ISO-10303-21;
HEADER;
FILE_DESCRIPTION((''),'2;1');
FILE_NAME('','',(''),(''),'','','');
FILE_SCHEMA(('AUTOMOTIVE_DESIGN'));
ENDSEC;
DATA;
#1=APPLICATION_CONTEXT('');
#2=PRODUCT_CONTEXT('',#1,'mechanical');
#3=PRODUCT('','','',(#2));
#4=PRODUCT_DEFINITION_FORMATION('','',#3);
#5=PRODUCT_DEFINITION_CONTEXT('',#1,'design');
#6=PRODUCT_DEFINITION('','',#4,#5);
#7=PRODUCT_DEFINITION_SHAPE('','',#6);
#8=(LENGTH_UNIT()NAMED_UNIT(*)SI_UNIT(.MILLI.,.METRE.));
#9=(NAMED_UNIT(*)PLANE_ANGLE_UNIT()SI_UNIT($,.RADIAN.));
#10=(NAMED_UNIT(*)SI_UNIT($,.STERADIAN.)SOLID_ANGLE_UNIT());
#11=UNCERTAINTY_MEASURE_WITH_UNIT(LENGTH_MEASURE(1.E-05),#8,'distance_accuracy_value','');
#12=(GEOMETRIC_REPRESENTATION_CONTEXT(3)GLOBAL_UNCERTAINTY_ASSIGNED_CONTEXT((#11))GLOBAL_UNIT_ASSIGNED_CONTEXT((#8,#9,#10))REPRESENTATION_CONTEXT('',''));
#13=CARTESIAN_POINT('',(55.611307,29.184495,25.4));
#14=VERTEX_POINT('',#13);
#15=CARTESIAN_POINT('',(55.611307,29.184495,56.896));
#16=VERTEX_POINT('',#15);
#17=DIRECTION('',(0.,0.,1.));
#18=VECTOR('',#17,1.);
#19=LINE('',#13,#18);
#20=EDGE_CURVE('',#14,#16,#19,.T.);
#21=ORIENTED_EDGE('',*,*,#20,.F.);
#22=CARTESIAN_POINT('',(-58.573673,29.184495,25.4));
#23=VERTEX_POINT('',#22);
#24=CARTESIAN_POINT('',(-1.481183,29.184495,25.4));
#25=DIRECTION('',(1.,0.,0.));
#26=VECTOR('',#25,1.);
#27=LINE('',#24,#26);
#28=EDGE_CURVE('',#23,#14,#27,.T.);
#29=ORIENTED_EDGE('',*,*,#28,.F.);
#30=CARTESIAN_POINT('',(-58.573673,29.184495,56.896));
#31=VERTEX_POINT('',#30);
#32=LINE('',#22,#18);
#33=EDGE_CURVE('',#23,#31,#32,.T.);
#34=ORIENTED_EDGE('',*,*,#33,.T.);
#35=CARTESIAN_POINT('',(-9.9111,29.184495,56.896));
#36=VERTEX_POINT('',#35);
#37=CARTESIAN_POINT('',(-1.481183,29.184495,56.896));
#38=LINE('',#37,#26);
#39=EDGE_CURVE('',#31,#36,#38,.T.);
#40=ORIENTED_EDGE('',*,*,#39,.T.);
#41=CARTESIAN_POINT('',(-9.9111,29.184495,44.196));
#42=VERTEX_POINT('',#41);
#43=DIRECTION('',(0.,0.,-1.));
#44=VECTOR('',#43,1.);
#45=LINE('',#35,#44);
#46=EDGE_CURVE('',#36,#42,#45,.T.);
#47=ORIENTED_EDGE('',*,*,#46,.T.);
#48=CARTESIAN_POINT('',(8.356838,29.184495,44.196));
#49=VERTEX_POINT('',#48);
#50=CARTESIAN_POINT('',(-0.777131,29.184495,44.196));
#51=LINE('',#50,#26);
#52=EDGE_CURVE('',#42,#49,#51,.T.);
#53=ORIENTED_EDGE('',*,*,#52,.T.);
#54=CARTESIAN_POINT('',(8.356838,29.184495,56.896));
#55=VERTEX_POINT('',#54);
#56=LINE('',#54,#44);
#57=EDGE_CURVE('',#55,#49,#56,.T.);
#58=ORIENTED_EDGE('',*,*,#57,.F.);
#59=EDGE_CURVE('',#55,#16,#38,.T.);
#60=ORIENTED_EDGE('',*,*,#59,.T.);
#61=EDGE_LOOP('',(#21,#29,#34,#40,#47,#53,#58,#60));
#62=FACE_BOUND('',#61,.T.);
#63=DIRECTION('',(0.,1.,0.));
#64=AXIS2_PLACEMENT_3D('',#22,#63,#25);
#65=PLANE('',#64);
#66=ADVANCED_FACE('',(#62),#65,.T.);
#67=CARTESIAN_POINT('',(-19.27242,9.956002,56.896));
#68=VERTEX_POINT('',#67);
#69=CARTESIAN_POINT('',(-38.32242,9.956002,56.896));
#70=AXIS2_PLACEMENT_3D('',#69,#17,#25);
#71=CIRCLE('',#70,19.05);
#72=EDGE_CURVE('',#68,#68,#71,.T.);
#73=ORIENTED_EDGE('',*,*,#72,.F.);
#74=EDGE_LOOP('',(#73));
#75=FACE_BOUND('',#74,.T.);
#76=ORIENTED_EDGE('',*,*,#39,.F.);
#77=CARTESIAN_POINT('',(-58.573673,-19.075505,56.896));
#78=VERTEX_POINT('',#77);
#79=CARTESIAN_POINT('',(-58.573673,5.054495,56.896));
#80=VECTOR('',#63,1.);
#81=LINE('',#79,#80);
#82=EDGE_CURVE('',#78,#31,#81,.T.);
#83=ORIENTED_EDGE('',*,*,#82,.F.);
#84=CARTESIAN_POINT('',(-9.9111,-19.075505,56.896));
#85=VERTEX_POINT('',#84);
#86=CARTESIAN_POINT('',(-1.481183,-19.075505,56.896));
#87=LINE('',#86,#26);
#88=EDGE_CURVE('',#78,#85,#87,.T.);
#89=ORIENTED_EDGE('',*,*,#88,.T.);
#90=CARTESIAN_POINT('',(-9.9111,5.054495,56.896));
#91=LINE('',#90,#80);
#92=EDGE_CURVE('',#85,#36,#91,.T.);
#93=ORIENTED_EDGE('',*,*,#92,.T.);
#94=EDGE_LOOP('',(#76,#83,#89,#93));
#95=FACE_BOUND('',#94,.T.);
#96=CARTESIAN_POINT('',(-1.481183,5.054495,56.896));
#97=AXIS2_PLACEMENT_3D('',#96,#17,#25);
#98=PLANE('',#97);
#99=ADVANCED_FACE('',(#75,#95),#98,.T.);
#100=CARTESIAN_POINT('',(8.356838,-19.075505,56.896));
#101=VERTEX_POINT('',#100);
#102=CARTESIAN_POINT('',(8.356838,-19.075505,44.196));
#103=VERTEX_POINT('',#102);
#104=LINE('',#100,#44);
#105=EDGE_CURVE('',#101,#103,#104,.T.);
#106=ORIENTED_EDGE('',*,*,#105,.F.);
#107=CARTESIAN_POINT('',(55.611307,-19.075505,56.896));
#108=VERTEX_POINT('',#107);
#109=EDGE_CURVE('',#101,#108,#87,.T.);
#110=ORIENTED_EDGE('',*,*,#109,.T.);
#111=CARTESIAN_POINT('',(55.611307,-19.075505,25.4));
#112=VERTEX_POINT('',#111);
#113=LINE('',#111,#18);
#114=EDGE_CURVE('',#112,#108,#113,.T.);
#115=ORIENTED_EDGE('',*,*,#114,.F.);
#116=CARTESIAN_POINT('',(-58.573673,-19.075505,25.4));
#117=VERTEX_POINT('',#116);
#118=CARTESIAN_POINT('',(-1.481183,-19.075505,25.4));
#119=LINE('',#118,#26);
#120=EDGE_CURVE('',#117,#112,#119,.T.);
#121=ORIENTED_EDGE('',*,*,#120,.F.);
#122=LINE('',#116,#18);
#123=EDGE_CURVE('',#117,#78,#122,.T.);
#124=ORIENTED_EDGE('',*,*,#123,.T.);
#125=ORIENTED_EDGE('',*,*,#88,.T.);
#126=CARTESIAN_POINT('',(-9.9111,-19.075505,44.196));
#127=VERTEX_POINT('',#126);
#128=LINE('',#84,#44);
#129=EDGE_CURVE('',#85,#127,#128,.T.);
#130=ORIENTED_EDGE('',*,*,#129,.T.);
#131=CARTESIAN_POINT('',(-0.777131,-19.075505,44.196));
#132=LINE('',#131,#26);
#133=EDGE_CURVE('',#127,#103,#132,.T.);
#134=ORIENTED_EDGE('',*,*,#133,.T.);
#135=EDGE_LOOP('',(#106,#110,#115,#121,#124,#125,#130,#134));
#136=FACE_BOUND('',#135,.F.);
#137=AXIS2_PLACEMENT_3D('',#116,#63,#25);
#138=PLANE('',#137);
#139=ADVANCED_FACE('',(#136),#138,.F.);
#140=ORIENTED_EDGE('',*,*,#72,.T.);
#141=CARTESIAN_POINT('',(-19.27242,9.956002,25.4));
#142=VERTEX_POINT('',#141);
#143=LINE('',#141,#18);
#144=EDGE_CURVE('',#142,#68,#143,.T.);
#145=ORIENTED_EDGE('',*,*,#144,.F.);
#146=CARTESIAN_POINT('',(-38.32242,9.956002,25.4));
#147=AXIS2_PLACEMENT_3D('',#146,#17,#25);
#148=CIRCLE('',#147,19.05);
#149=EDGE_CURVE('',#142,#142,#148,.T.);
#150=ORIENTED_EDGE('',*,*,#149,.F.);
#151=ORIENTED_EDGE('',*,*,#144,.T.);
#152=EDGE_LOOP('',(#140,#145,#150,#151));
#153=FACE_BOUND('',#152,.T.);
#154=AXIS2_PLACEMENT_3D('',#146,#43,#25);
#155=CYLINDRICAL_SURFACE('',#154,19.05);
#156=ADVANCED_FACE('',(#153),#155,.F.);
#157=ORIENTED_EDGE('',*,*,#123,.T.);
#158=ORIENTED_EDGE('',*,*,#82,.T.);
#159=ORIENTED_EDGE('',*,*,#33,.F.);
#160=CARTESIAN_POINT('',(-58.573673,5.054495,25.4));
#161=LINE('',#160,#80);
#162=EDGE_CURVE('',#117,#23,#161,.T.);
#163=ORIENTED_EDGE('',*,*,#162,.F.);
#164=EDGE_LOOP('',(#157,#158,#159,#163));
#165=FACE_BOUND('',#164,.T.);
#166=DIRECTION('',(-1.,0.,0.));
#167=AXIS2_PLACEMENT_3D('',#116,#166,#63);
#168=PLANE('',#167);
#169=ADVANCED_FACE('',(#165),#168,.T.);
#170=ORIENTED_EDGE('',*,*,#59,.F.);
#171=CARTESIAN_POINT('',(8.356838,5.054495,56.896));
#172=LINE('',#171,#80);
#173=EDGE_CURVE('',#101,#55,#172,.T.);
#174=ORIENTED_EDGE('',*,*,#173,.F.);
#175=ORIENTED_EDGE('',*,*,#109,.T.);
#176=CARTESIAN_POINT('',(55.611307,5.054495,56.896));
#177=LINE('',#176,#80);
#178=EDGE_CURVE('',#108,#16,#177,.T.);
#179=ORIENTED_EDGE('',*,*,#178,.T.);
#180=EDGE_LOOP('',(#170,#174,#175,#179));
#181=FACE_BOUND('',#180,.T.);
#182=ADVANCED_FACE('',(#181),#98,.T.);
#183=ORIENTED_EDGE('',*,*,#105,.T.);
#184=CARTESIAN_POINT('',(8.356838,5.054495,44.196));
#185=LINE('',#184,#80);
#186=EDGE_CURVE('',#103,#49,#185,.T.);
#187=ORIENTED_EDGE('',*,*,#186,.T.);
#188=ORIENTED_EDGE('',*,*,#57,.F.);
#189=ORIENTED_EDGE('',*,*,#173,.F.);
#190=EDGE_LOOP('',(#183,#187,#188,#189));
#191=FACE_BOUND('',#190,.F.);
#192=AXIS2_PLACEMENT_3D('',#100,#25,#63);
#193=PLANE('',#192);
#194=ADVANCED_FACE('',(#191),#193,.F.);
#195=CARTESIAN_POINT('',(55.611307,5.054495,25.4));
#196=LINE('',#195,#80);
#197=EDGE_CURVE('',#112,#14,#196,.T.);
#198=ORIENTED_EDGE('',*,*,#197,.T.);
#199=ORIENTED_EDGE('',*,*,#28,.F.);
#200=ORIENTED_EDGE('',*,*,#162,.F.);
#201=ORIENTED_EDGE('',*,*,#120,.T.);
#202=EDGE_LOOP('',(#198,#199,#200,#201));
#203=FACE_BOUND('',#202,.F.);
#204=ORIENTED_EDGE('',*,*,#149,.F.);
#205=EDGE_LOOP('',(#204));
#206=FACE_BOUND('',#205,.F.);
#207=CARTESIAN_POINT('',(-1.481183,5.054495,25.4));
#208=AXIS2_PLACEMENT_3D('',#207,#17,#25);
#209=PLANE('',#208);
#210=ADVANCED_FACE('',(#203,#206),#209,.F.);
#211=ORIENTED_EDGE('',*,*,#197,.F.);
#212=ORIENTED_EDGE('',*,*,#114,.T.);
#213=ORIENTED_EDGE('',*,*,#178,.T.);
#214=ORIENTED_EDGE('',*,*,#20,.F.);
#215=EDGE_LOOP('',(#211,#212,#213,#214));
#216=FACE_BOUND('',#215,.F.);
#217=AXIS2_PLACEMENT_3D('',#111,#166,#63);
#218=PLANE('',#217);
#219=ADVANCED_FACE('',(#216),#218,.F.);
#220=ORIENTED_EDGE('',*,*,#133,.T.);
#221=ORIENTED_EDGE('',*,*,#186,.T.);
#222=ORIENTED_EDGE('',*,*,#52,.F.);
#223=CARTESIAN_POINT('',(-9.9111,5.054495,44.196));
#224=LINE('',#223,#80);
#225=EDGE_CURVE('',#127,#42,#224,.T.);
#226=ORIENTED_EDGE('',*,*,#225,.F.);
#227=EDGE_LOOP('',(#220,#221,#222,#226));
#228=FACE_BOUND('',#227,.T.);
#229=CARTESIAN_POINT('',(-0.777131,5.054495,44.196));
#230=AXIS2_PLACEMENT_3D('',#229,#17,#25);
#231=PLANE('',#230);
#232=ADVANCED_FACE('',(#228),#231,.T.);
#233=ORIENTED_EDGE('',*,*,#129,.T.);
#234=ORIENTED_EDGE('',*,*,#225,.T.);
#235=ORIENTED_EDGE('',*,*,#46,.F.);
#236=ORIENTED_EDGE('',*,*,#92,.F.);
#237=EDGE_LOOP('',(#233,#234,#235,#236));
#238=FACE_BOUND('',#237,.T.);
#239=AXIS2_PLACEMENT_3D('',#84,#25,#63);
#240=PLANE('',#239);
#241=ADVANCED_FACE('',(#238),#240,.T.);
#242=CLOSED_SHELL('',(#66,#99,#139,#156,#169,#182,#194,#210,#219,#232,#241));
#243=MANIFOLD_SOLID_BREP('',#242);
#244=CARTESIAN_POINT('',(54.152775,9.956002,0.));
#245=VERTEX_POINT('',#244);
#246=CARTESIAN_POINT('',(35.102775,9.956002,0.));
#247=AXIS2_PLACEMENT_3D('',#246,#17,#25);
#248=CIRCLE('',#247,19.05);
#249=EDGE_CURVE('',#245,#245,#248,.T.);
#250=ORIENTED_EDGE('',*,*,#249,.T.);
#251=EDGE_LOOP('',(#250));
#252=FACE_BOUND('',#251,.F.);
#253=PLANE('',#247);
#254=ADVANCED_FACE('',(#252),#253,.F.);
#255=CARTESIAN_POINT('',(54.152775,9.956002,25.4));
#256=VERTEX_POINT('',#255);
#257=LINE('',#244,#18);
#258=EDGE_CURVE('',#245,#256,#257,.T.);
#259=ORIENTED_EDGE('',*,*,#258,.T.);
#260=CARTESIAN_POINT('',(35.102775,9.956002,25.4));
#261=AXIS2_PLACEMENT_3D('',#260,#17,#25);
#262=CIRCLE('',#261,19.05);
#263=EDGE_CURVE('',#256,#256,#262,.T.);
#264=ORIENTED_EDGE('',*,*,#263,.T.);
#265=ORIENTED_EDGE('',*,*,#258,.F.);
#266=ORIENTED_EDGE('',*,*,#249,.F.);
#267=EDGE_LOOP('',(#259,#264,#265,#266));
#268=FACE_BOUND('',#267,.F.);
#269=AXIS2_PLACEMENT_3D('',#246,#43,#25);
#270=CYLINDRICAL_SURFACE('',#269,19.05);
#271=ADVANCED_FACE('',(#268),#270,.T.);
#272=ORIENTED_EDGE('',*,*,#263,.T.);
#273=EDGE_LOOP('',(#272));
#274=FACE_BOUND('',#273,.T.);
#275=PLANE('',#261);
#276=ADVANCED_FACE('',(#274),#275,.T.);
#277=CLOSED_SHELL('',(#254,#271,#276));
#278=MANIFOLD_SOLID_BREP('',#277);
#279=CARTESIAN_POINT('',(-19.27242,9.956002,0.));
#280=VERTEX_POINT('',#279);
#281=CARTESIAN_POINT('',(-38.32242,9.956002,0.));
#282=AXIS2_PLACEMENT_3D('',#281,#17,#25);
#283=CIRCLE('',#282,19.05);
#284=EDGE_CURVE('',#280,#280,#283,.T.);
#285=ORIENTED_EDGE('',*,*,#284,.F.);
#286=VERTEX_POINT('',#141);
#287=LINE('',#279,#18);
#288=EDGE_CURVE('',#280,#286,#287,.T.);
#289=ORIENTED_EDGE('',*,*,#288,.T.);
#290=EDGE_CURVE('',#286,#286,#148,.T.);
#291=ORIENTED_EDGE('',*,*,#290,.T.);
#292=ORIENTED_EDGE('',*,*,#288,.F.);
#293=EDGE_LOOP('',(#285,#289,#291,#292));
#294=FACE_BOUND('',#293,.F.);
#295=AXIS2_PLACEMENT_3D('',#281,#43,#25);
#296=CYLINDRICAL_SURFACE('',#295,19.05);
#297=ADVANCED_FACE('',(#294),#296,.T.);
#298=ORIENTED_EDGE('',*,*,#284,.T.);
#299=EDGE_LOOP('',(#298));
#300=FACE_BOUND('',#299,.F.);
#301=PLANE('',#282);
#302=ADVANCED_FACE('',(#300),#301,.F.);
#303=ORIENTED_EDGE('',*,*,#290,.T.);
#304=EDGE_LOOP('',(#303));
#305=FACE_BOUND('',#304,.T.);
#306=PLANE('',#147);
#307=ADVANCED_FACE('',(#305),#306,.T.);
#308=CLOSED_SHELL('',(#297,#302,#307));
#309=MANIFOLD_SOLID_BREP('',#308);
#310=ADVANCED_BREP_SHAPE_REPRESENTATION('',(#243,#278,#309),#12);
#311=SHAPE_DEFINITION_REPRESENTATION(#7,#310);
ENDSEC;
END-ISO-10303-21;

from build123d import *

# Parameters (mm, degrees)
F0_R     = 19.05
F1_DEPTH = 25.4
F2_W     = 114.18498
F2_H     = 48.26
F2_R     = 19.05
F3_DEPTH = 31.496
F4_W     = 18.267938
F4_H     = 48.26
F5_DEPTH = 12.7


with BuildPart() as f1:
    # F0 (on Top) → F1 (new body)
    with BuildSketch(Plane.XY):
        with Locations((-38.32242, 9.956002)):
            Circle(F0_R)
        with Locations((35.102775, 9.956002)):
            Circle(F0_R)
    extrude(amount=F1_DEPTH)


with BuildPart() as f3:
    # F2 (on face) → F3 (new body)
    with BuildSketch(Plane.XY.offset(25.4)):
        with Locations((-1.481183, 5.054495)):
            Rectangle(F2_W, F2_H)
        with Locations((-38.32242, 9.956002)):
            Circle(F2_R, mode=Mode.SUBTRACT)
    extrude(amount=F3_DEPTH)

    # F4 (on face) → F5 (cut)
    with BuildSketch(Plane.XY.offset(56.896)):
        with Locations((-0.777131, 5.054495)):
            Rectangle(F4_W, F4_H)
    extrude(amount=-F5_DEPTH, mode=Mode.SUBTRACT)


solid = Compound([f1.part, f3.part])
